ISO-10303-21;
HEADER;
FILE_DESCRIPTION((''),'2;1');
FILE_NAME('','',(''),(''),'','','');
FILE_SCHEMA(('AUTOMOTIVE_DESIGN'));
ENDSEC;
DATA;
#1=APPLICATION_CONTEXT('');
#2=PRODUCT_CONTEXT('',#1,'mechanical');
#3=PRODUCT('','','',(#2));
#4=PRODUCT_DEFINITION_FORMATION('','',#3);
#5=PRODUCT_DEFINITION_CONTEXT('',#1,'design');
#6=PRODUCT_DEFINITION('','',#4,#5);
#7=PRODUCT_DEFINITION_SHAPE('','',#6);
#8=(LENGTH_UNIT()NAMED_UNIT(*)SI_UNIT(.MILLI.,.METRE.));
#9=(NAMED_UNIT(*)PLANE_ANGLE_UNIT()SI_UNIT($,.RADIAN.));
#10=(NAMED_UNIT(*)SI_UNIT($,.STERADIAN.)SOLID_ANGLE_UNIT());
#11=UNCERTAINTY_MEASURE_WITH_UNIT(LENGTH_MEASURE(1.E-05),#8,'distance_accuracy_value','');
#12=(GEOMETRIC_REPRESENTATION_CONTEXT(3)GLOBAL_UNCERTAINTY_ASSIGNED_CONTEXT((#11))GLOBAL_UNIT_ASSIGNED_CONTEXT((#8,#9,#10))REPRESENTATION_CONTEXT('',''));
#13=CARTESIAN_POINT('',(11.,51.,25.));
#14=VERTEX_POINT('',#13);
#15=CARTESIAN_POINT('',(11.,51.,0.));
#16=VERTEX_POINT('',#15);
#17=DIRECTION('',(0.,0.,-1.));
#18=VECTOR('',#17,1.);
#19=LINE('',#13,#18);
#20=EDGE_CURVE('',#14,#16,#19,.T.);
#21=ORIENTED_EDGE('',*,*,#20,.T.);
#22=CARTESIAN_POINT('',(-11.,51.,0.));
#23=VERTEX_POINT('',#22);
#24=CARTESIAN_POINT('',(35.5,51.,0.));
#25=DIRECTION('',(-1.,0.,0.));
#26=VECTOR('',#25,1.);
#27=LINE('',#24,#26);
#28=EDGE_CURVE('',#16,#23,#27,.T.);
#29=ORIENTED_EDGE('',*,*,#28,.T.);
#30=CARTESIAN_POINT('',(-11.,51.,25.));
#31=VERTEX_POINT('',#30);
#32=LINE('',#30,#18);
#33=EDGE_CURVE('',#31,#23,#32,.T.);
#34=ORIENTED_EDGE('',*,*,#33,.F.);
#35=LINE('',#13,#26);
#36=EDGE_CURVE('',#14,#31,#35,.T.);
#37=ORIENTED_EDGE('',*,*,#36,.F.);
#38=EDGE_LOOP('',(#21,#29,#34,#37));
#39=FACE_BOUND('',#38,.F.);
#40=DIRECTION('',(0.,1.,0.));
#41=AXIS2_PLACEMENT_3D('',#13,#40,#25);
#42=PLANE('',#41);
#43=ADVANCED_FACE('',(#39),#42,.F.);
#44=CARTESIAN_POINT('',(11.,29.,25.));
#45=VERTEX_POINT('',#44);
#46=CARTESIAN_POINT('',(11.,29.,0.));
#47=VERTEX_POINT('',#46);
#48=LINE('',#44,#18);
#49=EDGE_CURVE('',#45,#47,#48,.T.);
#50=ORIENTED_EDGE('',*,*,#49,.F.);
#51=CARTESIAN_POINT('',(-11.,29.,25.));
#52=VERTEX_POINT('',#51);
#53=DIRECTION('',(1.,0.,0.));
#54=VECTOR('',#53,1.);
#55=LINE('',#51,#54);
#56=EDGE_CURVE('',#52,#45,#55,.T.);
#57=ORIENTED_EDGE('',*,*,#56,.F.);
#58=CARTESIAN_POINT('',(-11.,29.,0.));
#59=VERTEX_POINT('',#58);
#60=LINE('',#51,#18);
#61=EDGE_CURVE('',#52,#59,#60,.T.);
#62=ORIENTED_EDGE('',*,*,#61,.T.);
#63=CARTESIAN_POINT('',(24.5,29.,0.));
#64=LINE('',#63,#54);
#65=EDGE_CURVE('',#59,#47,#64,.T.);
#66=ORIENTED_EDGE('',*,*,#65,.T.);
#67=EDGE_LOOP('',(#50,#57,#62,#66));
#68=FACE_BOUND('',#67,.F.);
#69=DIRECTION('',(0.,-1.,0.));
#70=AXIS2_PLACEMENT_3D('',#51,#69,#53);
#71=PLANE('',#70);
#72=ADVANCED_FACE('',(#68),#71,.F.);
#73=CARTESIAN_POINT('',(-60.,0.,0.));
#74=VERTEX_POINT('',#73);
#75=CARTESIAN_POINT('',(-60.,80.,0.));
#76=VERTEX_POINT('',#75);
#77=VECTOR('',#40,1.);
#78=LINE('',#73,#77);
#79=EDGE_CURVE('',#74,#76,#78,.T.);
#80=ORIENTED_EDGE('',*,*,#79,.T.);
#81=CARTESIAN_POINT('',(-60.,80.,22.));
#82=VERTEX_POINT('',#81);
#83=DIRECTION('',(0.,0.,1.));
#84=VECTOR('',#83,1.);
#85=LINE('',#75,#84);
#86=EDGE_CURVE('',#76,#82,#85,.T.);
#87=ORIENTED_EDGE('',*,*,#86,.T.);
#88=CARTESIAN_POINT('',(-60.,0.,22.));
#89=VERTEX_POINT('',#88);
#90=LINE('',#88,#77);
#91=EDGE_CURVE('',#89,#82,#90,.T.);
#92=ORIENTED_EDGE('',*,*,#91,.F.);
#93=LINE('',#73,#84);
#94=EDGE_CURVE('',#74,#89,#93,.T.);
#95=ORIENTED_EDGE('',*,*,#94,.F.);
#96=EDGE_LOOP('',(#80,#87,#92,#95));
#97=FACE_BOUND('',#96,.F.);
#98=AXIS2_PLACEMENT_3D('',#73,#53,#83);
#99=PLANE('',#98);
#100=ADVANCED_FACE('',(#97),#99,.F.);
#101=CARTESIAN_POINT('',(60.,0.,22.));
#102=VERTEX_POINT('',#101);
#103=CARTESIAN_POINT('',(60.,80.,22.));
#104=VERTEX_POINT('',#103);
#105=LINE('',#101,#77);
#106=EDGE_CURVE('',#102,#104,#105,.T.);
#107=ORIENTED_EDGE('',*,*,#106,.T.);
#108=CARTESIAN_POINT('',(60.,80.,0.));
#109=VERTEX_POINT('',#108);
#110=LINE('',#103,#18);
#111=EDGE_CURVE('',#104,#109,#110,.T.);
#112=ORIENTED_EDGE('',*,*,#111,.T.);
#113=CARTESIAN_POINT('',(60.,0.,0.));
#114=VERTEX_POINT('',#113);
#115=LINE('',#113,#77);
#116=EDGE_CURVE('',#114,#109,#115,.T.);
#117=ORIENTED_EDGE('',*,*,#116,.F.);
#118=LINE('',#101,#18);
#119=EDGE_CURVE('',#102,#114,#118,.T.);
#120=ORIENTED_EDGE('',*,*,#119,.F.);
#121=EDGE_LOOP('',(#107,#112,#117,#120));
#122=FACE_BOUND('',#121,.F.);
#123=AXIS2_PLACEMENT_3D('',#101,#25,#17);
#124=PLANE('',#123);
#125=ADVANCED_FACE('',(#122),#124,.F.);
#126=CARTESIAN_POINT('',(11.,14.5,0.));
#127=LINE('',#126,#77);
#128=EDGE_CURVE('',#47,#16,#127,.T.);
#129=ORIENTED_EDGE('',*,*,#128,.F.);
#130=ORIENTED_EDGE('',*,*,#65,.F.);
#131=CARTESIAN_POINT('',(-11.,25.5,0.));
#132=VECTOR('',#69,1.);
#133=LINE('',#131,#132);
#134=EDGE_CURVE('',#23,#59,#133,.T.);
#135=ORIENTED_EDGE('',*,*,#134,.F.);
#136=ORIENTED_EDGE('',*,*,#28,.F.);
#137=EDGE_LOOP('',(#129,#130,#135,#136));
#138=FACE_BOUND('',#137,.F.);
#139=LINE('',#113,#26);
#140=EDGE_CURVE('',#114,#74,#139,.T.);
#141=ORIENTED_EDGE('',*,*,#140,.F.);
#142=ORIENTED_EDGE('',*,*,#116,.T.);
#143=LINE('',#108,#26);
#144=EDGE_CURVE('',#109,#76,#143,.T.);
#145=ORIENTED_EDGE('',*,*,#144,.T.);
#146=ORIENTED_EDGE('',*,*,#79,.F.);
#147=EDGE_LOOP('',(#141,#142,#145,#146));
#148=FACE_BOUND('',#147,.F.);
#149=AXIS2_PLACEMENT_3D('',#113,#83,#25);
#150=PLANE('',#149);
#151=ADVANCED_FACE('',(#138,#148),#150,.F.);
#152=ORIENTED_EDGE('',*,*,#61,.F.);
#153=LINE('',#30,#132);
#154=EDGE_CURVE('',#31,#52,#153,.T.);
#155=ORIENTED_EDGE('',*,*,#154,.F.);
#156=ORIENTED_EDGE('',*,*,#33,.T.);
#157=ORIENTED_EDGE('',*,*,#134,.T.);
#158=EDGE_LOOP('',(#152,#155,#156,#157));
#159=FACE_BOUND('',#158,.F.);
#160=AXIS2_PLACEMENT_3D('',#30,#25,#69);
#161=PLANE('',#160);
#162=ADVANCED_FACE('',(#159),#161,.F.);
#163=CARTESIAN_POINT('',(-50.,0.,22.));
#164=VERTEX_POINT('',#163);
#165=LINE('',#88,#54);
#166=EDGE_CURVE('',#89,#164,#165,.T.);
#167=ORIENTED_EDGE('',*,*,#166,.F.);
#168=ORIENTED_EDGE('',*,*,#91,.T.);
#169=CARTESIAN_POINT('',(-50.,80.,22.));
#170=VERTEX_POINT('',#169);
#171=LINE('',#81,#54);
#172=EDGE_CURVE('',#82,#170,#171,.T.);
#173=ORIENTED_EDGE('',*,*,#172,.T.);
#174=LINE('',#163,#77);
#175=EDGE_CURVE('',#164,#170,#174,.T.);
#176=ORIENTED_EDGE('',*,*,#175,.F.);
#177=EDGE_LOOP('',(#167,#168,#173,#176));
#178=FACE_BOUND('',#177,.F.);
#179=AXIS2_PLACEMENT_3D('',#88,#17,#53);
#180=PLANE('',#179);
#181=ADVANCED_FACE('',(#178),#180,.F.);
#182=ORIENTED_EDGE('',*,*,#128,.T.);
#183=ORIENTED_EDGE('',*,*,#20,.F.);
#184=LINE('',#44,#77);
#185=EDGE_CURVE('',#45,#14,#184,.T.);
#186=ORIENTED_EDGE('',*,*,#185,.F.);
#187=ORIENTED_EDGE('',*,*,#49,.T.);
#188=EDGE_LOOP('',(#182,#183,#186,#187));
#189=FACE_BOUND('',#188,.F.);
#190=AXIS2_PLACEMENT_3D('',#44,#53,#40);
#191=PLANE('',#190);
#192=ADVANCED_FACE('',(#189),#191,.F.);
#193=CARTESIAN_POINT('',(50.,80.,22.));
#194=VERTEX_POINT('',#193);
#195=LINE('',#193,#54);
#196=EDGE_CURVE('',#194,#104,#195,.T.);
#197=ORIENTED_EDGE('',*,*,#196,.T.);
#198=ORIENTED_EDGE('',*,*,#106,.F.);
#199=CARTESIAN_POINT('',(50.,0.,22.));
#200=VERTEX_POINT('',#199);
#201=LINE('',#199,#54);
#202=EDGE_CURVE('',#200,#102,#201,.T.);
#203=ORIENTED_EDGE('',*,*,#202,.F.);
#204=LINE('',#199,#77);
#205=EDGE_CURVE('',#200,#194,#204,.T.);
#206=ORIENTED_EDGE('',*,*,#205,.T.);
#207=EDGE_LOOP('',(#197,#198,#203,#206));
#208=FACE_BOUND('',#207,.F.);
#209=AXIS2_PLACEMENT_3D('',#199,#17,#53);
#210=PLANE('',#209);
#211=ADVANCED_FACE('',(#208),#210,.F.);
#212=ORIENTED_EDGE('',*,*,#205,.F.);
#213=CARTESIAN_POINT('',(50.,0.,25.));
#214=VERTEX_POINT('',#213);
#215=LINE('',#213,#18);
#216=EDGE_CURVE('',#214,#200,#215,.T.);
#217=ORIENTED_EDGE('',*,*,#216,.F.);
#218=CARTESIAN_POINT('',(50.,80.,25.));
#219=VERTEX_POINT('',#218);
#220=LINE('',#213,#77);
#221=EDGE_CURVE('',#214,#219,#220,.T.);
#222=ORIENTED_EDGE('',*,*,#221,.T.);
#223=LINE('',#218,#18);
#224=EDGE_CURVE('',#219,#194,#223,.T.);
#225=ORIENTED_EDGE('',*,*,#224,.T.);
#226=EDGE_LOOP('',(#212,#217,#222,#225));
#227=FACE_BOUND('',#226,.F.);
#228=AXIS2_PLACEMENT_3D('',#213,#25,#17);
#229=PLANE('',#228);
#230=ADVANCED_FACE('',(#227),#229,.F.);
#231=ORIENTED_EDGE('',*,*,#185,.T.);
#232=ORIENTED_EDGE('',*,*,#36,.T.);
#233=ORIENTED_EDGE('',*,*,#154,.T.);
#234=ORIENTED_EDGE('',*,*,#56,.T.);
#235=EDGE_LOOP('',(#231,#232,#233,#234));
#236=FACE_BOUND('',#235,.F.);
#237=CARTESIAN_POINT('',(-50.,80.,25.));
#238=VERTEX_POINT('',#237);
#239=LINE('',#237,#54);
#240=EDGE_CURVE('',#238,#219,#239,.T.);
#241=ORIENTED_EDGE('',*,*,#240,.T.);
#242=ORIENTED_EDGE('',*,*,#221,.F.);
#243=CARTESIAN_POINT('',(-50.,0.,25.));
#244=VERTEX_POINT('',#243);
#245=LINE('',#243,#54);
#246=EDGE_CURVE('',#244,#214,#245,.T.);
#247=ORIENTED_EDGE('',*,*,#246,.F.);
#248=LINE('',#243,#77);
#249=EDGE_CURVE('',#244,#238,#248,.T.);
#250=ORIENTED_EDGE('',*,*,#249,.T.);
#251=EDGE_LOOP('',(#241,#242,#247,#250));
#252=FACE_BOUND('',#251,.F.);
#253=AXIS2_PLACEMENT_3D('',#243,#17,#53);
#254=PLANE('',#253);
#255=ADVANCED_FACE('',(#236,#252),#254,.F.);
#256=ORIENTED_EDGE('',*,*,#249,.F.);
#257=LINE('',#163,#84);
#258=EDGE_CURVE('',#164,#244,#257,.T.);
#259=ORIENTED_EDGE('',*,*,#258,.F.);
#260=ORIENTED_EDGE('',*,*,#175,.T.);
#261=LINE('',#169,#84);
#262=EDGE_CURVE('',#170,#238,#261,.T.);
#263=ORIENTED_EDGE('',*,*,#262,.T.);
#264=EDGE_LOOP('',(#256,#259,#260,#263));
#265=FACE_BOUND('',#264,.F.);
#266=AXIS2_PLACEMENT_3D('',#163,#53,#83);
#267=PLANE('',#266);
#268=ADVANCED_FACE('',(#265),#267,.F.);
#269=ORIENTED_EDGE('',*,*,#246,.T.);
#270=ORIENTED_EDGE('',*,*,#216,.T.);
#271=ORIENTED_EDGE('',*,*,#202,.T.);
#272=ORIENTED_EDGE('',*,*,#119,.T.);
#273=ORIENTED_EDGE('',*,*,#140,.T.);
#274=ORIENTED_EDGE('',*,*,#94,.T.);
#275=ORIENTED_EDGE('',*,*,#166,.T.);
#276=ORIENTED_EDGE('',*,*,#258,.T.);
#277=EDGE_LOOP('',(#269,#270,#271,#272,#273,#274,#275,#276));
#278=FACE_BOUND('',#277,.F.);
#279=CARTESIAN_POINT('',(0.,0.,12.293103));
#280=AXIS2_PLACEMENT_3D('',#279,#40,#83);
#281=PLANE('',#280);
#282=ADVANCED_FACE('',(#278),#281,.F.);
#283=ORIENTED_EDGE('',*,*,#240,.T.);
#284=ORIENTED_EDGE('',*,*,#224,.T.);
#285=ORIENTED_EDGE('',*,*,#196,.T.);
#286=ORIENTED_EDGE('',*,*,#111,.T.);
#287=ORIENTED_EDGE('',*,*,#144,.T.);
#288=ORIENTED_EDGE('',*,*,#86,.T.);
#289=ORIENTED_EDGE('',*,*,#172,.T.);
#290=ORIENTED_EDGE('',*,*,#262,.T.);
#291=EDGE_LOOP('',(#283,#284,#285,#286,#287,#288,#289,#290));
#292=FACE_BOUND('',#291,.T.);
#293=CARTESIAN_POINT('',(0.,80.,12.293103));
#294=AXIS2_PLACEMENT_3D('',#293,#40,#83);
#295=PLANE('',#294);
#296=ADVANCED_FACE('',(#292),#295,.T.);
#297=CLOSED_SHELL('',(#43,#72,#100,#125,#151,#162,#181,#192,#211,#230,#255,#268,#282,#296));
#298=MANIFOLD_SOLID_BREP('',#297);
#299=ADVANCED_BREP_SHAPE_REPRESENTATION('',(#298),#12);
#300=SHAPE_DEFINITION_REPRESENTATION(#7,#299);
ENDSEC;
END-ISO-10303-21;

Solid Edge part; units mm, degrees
sketch "Sketch1" plane through (0, 0, 0) normal (0, -1, 0) x (1, 0, 0)
  line L0 (-60, 0) -> (-60, 22)
  line L1 (-60, 22) -> (-50, 22)
  line L2 (-50, 22) -> (-50, 25)
  line L3 (-50, 25) -> (50, 25)
  line L4 (50, 25) -> (50, 22)
  line L5 (50, 22) -> (60, 22)
  line L6 (60, 22) -> (60, 0)
  line L7 (60, 0) -> (-60, 0)
extrude "Protrusion1" add sketch "Sketch1" against normal blind 80
sketch "Sketch2" plane through (0, 40, 25) normal (0, 0, 1) x (1, 0, 0)
  line L0 (-11, -11) -> (11, -11)
  line L1 (11, -11) -> (11, 11)
  line L2 (11, 11) -> (-11, 11)
  line L3 (-11, 11) -> (-11, -11)
extrude "ExtrudedCutout_1" cut sketch "Sketch2" against normal blind 41.8556
